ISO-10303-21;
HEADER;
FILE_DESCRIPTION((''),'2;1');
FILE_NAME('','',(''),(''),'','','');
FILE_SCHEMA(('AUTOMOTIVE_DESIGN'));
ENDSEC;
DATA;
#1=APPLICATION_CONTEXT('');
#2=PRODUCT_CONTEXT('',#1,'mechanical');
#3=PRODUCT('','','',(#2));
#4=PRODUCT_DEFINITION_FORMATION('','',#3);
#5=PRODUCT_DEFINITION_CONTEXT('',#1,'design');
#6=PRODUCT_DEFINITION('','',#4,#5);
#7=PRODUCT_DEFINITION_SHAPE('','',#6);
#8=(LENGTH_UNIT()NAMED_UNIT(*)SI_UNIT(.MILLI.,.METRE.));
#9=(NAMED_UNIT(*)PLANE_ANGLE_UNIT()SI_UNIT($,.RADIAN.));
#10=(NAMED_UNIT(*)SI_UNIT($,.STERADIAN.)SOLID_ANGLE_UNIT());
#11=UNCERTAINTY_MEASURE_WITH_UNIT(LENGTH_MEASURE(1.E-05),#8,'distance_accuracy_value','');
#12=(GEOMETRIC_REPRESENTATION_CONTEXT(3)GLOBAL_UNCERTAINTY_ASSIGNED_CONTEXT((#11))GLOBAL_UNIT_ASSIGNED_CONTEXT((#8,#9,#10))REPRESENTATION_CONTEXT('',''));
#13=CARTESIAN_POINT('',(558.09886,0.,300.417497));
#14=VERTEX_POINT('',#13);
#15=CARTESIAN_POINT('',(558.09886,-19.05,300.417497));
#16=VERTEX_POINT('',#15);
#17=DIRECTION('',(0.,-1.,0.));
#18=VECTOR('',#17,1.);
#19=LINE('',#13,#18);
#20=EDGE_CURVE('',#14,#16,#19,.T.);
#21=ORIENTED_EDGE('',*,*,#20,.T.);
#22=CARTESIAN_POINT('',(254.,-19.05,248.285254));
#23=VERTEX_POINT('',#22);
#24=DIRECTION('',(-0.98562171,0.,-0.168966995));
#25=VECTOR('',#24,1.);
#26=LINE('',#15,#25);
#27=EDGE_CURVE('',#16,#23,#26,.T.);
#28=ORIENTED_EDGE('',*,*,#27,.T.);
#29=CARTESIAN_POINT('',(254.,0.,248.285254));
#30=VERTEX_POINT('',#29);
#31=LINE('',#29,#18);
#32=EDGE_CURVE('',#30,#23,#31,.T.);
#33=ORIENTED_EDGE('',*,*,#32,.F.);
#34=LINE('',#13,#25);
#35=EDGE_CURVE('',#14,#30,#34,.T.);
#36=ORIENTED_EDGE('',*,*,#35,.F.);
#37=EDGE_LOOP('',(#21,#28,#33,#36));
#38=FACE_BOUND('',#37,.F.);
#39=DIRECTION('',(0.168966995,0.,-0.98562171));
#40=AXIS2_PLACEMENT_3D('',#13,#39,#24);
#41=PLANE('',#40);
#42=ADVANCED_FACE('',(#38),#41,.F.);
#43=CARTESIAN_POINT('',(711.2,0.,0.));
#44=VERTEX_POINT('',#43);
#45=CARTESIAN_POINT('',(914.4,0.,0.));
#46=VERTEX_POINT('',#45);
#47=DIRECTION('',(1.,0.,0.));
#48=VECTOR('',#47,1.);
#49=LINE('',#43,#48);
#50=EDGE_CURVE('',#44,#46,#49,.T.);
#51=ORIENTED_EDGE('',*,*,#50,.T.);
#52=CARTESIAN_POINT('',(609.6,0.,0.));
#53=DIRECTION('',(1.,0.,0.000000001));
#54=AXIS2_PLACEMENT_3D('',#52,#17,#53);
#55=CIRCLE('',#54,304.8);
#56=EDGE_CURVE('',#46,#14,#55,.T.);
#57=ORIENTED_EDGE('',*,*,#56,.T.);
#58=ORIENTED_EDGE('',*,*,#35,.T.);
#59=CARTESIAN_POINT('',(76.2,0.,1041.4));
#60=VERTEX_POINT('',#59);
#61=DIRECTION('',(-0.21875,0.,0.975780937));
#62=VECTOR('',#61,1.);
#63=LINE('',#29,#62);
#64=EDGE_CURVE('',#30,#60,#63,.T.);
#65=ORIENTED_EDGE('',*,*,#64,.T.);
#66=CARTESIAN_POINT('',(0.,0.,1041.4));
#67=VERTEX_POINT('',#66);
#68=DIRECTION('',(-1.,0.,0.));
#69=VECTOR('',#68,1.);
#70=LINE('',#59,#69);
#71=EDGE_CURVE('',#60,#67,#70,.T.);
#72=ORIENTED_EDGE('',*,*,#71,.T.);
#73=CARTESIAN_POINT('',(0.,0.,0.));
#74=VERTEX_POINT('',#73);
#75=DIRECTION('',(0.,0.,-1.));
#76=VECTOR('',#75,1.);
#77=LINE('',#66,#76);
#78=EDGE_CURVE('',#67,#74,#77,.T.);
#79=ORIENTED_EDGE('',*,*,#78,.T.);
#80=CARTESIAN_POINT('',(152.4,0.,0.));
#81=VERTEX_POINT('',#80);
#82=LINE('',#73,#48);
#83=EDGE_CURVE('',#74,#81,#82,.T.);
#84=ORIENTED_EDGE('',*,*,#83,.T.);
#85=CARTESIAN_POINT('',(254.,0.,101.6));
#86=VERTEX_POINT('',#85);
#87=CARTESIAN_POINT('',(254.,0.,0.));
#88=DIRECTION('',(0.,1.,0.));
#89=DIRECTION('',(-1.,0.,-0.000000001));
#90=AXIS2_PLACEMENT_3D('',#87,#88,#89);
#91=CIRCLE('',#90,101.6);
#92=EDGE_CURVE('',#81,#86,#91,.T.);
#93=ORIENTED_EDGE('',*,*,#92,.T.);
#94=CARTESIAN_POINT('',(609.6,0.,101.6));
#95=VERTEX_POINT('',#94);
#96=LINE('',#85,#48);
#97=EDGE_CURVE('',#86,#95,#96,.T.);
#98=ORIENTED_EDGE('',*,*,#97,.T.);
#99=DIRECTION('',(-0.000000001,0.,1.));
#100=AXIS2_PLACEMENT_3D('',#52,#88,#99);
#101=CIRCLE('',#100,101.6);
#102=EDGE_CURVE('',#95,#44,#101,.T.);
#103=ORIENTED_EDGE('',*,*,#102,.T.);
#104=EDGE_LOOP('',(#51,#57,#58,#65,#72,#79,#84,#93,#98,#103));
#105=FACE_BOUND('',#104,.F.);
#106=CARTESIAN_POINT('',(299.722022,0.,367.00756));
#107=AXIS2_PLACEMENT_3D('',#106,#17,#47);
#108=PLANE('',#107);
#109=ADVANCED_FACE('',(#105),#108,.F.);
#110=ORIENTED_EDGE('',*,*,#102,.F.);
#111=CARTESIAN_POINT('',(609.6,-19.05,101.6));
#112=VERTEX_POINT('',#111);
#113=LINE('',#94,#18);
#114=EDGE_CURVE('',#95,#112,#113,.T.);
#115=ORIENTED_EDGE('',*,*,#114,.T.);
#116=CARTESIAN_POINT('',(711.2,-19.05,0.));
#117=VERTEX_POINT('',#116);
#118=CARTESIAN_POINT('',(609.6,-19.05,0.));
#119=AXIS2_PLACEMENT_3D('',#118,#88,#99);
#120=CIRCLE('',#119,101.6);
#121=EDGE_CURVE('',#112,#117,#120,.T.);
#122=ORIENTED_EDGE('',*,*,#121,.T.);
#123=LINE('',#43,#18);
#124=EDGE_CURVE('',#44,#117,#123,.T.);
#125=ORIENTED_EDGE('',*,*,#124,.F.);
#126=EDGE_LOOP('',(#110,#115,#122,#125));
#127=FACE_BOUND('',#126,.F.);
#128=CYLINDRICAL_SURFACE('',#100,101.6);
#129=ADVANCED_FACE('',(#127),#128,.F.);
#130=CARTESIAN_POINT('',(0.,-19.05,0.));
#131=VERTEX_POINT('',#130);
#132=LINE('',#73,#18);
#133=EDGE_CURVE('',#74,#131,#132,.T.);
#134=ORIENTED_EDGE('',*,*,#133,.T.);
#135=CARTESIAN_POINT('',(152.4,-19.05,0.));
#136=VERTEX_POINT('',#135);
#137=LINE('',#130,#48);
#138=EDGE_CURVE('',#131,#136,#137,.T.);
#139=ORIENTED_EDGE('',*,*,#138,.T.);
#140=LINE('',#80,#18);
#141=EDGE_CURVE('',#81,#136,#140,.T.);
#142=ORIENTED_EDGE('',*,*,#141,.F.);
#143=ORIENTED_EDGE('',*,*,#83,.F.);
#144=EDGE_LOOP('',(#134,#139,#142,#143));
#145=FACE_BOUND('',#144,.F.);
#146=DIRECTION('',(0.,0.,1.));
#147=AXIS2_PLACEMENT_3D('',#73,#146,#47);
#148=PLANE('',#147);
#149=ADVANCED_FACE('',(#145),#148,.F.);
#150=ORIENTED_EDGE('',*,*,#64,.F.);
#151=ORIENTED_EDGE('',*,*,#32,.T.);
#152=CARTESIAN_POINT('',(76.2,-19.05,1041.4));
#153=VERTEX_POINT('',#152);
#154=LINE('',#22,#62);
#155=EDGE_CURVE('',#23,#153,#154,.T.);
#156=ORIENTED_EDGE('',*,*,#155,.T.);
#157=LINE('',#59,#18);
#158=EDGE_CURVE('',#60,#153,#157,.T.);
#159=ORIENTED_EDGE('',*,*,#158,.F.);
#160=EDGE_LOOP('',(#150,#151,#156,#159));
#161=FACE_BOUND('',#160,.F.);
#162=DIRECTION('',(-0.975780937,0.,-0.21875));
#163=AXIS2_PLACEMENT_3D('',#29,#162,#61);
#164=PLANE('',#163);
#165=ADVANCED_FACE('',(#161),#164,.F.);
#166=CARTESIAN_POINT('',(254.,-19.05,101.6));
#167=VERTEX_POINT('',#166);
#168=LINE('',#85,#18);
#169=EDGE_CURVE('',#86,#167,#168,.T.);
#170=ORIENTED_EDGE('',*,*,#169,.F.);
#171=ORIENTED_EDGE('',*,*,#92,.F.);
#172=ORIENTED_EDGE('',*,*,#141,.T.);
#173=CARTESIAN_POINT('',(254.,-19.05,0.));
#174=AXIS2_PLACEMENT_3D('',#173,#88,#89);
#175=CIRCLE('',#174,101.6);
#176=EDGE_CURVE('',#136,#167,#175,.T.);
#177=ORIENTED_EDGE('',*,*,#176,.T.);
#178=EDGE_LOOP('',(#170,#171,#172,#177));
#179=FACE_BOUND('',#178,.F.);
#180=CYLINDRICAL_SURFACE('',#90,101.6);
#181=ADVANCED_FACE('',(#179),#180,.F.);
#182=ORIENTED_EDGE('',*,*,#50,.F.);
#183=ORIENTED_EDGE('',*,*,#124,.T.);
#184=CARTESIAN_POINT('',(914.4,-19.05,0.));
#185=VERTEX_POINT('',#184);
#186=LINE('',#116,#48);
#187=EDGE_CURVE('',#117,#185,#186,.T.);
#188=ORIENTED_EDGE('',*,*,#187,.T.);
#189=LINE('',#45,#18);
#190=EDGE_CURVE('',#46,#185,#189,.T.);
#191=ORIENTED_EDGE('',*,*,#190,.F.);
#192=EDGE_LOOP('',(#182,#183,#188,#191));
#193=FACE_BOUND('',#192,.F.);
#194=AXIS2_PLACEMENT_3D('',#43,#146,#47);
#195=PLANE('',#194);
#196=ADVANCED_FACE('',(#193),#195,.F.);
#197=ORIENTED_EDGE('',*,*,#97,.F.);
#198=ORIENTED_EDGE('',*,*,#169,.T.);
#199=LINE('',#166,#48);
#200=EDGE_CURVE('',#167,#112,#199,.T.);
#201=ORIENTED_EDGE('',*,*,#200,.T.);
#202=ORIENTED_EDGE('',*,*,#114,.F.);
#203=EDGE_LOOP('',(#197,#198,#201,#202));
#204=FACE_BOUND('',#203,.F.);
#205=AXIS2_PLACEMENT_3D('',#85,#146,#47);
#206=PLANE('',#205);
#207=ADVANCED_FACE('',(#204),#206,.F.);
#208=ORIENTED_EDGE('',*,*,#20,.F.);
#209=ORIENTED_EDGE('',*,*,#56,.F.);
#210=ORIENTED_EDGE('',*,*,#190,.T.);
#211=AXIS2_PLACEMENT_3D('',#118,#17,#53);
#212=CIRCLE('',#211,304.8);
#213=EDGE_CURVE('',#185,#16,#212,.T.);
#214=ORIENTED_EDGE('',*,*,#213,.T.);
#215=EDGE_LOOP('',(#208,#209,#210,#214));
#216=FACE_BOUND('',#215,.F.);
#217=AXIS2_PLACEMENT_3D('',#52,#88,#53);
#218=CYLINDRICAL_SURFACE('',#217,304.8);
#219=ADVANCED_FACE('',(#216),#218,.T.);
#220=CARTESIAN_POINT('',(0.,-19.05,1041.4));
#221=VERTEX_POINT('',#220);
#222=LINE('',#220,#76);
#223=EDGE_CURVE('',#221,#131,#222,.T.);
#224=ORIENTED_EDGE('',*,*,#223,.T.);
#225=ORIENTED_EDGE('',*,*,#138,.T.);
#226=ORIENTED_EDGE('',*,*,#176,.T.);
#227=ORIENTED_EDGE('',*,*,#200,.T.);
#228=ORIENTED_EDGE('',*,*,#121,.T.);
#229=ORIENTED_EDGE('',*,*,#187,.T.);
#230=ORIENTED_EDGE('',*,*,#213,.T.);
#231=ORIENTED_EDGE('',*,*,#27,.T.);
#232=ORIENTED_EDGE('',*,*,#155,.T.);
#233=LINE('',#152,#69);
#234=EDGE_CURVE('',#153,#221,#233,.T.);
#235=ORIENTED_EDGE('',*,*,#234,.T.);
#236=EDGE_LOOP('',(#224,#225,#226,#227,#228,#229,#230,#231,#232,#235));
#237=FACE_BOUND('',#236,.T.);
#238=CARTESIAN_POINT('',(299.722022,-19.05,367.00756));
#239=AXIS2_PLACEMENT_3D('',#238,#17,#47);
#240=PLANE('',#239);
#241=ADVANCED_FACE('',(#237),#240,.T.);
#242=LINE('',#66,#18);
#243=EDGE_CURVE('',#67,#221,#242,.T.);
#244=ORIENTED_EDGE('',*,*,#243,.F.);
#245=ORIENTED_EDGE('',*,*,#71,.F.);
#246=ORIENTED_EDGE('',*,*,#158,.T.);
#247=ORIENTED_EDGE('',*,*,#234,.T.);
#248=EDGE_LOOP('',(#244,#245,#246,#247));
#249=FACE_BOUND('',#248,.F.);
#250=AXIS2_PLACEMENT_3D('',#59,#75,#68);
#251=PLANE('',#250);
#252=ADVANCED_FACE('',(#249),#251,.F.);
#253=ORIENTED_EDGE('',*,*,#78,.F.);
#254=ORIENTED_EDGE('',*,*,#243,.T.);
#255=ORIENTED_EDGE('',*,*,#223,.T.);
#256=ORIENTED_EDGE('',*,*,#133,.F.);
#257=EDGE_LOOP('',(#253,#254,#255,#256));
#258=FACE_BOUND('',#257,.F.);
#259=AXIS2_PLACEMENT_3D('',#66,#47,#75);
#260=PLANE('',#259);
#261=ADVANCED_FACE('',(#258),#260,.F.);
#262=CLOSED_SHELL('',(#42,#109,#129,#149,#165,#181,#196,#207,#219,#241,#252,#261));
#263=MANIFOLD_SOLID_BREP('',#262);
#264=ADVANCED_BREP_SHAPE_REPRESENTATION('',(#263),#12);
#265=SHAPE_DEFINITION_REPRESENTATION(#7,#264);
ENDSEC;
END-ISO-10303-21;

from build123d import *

# Parameters (mm, degrees)
F1_DEPTH = 19.05


with BuildPart() as f1:
    # F0 (on Front) → F1 (new body)
    with BuildSketch(Plane.XZ):
        with BuildLine():
            Line((0, 1041.4), (0, 0))
            Line((0, 0), (152.4, 0))
            ThreePointArc((152.4, 0), (182.157951, 71.842049), (254, 101.6))
            Line((254, 101.6), (609.6, 101.6))
            ThreePointArc((609.6, 101.6), (681.442049, 71.842049), (711.2, 0))
            Line((711.2, 0), (914.4, 0))
            ThreePointArc((914.4, 0), (806.075816, 233.024234), (558.09886, 300.417497))
            Line((558.09886, 300.417497), (254, 248.285254))
            Line((254, 248.285254), (76.2, 1041.4))
            Line((76.2, 1041.4), (0, 1041.4))
        make_face()
    extrude(amount=F1_DEPTH)


solid = f1.part
